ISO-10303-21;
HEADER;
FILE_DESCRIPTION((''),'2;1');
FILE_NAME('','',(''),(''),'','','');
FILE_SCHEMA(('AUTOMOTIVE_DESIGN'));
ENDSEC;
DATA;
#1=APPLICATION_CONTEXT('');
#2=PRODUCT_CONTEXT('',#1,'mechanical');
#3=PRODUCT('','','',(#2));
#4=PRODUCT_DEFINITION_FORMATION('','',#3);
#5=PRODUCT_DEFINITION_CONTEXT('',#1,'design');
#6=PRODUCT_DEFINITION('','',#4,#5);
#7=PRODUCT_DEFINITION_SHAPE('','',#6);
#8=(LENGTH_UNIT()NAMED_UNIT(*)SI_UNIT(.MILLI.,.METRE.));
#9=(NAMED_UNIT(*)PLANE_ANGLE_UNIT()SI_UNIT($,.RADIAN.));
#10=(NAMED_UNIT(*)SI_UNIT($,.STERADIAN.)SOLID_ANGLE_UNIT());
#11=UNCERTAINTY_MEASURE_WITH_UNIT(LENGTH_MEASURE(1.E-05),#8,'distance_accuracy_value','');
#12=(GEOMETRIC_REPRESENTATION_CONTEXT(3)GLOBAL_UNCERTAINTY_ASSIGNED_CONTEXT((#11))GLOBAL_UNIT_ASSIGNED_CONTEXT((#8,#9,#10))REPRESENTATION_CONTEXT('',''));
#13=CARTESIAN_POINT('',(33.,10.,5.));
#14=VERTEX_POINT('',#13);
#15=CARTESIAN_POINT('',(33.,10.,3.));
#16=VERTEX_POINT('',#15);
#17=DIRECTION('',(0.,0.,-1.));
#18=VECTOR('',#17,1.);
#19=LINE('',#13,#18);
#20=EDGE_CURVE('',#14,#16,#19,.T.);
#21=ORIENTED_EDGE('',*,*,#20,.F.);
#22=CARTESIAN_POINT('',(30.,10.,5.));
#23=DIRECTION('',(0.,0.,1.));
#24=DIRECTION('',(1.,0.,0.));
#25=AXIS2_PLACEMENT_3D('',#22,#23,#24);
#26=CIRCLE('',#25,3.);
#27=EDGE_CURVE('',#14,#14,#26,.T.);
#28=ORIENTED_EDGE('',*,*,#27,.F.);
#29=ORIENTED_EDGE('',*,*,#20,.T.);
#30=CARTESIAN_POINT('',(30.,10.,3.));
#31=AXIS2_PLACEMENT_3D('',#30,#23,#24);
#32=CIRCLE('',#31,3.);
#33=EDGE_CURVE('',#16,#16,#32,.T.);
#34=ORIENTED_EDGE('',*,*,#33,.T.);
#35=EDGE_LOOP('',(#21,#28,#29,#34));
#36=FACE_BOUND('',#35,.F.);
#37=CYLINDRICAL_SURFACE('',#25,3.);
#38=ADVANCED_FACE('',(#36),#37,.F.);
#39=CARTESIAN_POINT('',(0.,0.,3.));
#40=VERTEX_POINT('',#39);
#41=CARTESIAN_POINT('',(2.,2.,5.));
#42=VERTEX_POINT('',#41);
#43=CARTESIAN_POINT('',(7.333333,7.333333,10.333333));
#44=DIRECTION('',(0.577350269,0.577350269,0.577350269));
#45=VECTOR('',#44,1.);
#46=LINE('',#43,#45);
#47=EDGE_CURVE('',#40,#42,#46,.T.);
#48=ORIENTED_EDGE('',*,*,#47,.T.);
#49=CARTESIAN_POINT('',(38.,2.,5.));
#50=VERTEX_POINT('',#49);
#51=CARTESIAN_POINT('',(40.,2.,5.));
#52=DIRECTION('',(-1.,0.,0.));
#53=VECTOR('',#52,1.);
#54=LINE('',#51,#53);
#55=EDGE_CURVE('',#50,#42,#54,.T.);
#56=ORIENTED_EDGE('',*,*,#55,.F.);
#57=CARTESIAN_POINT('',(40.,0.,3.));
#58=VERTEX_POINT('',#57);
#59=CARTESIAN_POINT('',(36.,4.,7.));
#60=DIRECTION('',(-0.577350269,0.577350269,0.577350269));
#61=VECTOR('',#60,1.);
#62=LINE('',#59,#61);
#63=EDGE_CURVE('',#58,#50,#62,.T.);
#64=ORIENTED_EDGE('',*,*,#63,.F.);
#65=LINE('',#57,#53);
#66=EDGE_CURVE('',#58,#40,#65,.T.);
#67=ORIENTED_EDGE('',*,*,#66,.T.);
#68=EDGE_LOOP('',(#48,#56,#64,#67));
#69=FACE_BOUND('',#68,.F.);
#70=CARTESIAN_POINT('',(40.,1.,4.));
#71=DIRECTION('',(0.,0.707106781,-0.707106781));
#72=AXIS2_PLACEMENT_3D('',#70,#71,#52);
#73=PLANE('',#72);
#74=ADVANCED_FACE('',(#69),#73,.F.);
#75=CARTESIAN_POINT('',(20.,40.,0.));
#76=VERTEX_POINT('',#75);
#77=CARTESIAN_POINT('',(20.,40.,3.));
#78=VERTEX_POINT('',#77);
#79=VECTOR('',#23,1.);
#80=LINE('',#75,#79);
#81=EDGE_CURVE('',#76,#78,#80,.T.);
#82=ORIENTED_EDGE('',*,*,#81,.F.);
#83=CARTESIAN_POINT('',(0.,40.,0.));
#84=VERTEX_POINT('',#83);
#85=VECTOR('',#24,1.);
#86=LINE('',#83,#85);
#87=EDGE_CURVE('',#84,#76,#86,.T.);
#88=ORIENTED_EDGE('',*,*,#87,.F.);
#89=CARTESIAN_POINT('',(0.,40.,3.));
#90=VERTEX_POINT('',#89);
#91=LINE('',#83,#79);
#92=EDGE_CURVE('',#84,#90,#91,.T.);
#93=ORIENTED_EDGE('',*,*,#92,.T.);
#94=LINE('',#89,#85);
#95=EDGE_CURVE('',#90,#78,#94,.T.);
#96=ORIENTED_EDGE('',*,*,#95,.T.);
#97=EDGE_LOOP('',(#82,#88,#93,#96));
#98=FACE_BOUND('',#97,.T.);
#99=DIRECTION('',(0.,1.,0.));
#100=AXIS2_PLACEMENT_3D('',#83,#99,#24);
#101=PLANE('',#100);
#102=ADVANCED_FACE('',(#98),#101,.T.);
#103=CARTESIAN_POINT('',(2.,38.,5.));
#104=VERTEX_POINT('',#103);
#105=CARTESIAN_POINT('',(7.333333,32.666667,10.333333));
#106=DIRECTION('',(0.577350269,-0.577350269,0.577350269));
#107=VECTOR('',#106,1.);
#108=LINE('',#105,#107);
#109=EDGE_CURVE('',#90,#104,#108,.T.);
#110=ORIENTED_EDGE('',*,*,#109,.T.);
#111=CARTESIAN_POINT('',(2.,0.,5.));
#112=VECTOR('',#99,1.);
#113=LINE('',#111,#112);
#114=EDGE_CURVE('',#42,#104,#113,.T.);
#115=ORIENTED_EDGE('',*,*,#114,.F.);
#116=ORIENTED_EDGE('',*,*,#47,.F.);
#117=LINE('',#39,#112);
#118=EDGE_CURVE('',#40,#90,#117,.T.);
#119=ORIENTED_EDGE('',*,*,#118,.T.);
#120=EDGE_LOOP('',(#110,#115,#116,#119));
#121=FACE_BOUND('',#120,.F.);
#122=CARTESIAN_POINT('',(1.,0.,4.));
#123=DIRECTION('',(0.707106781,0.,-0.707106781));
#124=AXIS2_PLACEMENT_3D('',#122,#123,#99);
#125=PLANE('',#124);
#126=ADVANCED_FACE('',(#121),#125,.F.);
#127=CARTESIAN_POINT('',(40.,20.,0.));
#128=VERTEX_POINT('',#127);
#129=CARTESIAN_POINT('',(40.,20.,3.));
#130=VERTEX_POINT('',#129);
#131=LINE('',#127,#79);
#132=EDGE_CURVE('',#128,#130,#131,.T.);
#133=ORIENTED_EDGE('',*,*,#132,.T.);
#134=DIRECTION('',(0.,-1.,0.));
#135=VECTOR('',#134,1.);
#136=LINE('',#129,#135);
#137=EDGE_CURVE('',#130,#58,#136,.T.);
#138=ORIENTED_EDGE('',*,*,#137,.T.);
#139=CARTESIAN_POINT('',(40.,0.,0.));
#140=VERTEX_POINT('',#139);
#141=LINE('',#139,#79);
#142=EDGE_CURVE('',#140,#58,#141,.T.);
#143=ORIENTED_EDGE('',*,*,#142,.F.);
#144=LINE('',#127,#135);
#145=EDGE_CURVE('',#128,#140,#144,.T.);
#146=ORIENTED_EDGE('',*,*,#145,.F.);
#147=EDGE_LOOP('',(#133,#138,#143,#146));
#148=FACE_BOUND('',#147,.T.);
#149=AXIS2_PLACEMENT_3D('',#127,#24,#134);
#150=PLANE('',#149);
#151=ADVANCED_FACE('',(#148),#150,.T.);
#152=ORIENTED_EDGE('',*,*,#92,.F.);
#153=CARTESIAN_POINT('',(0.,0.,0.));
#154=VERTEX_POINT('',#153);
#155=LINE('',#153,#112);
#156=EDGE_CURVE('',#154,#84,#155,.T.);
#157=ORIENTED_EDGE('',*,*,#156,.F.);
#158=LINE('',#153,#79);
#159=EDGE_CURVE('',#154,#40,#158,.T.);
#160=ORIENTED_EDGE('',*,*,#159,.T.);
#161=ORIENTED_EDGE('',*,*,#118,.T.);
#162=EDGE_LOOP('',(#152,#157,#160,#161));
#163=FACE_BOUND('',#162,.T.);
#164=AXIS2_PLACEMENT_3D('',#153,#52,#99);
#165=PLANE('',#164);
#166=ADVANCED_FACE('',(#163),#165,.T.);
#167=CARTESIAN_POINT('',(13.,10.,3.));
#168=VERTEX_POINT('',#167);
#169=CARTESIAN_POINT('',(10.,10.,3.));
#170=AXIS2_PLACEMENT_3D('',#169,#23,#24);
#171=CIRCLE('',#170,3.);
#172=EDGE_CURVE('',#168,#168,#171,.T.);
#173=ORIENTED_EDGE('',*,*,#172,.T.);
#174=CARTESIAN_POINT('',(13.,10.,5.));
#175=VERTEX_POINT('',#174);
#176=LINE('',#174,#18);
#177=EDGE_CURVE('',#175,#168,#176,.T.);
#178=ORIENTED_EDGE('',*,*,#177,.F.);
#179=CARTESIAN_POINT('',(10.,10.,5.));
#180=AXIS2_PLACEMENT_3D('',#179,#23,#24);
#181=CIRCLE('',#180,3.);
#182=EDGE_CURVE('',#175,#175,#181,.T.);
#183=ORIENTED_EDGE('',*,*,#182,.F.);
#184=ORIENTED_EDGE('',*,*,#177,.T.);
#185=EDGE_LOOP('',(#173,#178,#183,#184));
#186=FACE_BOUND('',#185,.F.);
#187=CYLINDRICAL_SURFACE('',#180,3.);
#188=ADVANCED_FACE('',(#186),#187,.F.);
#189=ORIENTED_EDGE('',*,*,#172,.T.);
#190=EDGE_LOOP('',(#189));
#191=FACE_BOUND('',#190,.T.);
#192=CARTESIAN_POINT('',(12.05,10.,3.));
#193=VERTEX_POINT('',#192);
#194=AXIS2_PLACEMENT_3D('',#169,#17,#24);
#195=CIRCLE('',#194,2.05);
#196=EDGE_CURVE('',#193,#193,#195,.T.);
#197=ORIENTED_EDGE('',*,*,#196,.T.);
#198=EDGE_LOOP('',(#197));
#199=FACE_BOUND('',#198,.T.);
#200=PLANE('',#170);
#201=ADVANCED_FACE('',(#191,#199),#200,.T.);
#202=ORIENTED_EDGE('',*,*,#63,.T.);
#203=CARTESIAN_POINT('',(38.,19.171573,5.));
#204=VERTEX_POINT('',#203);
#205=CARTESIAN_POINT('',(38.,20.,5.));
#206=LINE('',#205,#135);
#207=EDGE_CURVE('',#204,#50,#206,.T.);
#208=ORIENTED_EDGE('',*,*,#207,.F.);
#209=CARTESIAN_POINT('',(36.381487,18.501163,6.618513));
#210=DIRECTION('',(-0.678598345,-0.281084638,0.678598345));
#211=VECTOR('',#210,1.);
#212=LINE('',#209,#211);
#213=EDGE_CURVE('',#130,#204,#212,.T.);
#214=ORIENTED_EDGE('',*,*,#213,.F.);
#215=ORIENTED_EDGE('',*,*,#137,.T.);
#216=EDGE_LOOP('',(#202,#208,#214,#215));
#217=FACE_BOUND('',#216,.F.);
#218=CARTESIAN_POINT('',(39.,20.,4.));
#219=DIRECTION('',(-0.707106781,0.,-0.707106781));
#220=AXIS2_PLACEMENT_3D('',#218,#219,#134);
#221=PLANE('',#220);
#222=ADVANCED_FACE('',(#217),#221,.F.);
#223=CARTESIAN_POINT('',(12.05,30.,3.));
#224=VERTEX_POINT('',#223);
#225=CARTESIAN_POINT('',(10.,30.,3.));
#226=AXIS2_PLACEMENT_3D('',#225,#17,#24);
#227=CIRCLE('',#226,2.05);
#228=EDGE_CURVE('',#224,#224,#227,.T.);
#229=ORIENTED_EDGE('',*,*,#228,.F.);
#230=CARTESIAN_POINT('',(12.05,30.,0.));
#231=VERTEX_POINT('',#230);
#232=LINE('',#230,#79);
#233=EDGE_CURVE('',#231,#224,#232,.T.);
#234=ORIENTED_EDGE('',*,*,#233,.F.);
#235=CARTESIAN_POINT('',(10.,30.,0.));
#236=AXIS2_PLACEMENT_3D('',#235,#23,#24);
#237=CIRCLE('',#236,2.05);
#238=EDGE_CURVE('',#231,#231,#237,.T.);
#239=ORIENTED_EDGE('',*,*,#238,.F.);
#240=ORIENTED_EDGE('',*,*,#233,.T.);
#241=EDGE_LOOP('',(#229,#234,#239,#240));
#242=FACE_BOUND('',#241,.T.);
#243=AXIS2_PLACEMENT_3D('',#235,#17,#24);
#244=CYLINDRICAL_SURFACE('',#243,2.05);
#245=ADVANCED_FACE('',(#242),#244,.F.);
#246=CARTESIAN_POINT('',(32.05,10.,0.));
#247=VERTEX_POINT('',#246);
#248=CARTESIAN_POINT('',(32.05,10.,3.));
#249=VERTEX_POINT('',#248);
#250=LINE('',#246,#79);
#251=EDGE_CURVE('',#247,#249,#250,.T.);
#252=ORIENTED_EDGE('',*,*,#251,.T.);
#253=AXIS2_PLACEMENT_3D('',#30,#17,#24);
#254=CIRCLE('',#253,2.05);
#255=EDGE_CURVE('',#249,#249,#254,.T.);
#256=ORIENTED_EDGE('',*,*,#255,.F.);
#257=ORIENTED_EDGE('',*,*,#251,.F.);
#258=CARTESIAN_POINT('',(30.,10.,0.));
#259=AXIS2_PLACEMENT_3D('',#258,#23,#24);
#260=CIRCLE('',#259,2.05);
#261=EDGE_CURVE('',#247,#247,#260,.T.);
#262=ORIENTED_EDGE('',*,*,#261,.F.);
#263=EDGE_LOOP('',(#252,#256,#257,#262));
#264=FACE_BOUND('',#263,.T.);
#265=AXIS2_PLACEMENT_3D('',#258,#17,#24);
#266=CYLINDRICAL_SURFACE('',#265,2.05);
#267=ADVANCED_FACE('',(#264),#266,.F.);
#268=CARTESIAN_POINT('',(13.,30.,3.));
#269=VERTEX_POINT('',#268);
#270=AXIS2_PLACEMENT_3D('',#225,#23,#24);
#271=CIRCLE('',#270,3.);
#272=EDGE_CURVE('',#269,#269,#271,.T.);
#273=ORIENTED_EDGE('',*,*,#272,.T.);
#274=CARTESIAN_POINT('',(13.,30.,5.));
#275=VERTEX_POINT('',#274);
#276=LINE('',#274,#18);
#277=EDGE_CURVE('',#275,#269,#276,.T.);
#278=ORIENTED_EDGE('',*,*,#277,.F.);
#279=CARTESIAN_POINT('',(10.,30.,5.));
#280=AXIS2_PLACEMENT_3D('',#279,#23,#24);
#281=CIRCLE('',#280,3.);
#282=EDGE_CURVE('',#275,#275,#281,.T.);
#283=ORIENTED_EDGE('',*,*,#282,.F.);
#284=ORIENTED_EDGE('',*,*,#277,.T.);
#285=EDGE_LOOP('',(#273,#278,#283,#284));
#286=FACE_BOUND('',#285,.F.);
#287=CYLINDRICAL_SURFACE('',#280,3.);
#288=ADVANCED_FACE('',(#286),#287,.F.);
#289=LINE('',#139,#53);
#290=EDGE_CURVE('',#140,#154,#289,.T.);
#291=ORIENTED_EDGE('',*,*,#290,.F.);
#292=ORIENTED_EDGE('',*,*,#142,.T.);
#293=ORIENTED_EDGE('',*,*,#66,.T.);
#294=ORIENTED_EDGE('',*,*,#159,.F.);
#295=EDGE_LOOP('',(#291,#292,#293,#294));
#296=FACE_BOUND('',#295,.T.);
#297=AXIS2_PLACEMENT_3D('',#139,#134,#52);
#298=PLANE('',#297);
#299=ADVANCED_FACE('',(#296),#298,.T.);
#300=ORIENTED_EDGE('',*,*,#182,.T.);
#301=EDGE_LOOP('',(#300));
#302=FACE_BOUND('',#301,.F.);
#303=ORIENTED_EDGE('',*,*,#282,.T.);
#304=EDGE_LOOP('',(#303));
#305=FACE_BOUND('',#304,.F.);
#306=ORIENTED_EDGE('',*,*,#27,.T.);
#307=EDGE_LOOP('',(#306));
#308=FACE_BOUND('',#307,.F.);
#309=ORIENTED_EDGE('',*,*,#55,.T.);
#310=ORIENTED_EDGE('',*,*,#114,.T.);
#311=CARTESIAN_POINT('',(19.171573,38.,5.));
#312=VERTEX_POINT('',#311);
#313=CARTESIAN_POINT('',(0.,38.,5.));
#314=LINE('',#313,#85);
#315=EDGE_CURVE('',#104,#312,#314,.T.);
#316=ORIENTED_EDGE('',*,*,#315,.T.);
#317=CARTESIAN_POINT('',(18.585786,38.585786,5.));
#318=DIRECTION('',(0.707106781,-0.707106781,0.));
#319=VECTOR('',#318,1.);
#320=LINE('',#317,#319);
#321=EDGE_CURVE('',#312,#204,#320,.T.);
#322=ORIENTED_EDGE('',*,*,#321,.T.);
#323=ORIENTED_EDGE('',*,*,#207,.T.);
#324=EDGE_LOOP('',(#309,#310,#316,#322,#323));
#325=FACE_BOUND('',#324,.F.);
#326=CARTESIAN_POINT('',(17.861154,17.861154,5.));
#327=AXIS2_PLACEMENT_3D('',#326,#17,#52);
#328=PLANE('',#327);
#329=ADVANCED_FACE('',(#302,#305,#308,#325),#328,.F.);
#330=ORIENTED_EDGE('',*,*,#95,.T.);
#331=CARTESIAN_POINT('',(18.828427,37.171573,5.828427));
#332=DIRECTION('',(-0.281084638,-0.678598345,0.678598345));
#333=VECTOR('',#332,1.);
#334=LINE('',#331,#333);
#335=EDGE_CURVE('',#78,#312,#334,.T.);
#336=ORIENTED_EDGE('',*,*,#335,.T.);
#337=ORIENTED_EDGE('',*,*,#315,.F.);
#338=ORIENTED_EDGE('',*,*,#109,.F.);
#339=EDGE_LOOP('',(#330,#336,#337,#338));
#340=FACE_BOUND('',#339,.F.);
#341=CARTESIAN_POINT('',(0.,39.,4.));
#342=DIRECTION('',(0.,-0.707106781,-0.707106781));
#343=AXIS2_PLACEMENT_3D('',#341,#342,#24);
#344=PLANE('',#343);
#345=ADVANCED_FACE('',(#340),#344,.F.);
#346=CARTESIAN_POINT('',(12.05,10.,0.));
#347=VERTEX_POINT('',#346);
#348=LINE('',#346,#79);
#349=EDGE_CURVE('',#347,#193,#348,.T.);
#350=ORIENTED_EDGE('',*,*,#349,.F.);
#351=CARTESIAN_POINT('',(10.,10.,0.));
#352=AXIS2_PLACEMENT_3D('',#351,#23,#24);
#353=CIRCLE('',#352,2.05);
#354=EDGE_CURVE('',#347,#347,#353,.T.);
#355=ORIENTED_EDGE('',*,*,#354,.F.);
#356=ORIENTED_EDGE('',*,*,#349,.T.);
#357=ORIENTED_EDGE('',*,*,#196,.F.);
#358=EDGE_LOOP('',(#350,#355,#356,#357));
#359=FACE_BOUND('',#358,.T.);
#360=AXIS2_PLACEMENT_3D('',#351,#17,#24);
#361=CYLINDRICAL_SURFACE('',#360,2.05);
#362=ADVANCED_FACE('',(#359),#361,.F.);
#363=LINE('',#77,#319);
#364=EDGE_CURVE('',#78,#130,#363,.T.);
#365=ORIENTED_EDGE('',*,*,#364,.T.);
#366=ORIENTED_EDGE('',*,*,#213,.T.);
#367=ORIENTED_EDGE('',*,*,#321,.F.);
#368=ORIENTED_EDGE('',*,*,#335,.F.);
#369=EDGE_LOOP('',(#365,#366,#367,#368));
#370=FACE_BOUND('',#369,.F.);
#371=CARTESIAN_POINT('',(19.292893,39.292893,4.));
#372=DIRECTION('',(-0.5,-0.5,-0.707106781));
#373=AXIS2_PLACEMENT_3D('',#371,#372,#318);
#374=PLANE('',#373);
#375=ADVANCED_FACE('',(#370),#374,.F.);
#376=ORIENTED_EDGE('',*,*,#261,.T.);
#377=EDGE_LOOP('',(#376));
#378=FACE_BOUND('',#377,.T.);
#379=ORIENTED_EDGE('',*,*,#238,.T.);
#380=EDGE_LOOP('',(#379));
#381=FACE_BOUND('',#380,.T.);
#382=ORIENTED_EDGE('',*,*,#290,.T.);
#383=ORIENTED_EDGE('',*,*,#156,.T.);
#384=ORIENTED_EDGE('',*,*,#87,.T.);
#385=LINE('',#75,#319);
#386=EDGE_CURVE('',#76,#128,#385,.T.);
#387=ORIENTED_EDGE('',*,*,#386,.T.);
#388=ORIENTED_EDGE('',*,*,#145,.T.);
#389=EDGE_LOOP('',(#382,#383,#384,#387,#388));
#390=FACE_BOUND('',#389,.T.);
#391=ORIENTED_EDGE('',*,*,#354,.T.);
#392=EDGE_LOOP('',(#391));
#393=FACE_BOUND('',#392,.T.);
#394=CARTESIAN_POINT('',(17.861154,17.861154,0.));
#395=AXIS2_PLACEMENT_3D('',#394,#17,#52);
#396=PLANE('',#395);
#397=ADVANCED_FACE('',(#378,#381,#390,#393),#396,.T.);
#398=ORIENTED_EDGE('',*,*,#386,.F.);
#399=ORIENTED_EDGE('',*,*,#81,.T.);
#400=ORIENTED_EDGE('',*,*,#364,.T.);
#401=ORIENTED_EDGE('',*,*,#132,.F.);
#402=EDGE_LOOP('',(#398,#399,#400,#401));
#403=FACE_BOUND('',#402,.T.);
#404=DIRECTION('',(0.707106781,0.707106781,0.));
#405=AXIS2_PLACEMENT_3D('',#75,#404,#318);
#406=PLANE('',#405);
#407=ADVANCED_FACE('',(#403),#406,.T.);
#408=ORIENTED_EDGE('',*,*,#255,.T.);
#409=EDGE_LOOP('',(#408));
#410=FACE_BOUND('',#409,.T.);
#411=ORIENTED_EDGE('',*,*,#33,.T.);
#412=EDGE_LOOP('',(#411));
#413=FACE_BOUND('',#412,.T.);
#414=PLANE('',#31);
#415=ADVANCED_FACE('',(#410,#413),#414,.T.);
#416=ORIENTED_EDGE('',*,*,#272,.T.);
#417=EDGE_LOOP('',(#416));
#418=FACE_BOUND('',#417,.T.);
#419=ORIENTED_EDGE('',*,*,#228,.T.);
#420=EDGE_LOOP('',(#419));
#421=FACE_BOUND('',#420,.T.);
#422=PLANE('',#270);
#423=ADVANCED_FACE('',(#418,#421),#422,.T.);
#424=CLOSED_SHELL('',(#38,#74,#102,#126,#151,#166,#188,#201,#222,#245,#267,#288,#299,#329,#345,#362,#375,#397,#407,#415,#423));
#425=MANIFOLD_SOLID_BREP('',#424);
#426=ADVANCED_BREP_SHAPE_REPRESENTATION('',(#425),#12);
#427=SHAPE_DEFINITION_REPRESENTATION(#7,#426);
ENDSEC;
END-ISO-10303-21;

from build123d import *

# Parameters (mm, degrees)
SKETCH_R         = 2.05
EXTRUDE001_DEPTH = 5
CHAMFER_SIZE     = 2
SKETCH001_R      = 3
POCKET_DEPTH     = 2


with BuildPart() as part:
    # Sketch → Extrude001 (new body)
    with BuildSketch(Plane.XY):
        Polygon((0, 0), (0, 40), (20, 40), (40, 20), (40, 0), align=None)
        with Locations((10, 10)):
            Circle(SKETCH_R, mode=Mode.SUBTRACT)
        with Locations((10, 30)):
            Circle(SKETCH_R, mode=Mode.SUBTRACT)
        with Locations((30, 10)):
            Circle(SKETCH_R, mode=Mode.SUBTRACT)
    extrude(amount=EXTRUDE001_DEPTH)

    # Chamfer
    chamfer_edges = [part.edges().sort_by_distance(p)[0] for p in [
        (0, 20, 5),
        (10, 40, 5),
        (30, 30, 5),
        (40, 10, 5),
        (20, 0, 5),
    ]]
    chamfer(chamfer_edges, length=CHAMFER_SIZE)

    # Sketch001 → Pocket (cut)
    with BuildSketch(Plane.XY.offset(5)):
        with Locations((10, 30)):
            Circle(SKETCH001_R)
        with Locations((10, 10)):
            Circle(SKETCH001_R)
        with Locations((30, 10)):
            Circle(SKETCH001_R)
    extrude(amount=-POCKET_DEPTH, mode=Mode.SUBTRACT)


solid = part.part
